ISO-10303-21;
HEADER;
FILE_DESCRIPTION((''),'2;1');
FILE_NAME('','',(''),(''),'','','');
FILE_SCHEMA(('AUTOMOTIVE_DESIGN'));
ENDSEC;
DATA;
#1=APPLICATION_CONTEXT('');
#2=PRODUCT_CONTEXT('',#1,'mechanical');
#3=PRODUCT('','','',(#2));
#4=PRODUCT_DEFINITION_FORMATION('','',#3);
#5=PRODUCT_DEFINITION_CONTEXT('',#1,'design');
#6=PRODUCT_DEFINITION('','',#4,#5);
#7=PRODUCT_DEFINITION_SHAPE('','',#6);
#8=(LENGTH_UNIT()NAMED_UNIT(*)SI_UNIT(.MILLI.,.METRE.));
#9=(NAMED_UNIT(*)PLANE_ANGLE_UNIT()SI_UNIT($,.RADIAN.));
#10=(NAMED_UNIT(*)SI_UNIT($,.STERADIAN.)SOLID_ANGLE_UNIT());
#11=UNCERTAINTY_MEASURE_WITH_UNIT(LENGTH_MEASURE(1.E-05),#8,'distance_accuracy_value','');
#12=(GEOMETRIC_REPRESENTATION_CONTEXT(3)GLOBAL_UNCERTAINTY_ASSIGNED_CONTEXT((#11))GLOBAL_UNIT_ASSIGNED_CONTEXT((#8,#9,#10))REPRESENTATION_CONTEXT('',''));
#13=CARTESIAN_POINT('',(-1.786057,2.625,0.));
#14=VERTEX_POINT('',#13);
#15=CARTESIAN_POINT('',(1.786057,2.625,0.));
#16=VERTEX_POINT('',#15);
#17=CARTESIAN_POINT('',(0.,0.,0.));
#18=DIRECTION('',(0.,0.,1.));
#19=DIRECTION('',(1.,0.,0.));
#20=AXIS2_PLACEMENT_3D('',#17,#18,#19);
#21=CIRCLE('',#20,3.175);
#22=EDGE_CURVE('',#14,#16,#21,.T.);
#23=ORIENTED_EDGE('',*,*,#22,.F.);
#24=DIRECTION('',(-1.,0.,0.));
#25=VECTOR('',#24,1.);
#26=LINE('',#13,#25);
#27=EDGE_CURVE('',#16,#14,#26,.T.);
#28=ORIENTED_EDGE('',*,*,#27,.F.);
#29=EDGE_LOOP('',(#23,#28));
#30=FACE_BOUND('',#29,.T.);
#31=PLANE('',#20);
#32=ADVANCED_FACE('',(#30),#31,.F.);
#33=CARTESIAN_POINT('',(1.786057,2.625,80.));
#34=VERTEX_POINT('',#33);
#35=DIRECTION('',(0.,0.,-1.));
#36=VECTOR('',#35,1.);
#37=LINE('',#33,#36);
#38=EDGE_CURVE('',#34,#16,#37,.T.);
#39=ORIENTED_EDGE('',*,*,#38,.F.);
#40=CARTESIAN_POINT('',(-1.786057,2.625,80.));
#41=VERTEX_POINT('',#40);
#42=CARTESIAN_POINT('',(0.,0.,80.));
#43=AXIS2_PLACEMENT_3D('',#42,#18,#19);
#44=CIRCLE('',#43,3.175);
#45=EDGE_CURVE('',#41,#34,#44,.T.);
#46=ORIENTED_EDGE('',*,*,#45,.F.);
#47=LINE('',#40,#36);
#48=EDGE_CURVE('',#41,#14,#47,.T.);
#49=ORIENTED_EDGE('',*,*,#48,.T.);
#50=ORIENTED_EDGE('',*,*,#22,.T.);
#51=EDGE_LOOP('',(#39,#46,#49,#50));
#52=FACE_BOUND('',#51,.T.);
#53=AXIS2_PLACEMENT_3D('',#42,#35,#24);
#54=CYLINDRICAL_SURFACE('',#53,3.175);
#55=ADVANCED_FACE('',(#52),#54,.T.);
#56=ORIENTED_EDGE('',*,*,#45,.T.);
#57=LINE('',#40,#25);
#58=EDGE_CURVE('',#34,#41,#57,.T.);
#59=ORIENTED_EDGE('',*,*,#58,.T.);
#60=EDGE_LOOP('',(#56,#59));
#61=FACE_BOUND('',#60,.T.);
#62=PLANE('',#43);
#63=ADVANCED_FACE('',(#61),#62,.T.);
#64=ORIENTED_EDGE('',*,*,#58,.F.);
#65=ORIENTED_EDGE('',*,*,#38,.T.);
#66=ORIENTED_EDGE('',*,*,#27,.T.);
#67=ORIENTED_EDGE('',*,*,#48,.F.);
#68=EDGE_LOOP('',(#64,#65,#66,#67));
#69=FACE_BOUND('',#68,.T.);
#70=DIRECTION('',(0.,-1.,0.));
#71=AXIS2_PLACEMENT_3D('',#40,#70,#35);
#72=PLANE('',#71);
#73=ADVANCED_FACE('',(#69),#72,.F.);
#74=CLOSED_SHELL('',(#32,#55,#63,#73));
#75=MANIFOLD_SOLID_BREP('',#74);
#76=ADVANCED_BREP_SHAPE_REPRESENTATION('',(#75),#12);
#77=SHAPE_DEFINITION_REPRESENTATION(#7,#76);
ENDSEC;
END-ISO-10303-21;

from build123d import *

# Parameters (mm, degrees)
BOSS_EXTRUDE1_DEPTH = 80


with BuildPart() as part:
    # Sketch1 → Boss-Extrude1 (new body)
    with BuildSketch(Plane.XY):
        with BuildLine():
            Line((-1.78605711, 2.625), (1.78605711, 2.625))
            ThreePointArc((1.78605711, 2.625), (0, -3.175), (-1.78605711, 2.625))
        make_face()
    extrude(amount=BOSS_EXTRUDE1_DEPTH)


solid = part.part
